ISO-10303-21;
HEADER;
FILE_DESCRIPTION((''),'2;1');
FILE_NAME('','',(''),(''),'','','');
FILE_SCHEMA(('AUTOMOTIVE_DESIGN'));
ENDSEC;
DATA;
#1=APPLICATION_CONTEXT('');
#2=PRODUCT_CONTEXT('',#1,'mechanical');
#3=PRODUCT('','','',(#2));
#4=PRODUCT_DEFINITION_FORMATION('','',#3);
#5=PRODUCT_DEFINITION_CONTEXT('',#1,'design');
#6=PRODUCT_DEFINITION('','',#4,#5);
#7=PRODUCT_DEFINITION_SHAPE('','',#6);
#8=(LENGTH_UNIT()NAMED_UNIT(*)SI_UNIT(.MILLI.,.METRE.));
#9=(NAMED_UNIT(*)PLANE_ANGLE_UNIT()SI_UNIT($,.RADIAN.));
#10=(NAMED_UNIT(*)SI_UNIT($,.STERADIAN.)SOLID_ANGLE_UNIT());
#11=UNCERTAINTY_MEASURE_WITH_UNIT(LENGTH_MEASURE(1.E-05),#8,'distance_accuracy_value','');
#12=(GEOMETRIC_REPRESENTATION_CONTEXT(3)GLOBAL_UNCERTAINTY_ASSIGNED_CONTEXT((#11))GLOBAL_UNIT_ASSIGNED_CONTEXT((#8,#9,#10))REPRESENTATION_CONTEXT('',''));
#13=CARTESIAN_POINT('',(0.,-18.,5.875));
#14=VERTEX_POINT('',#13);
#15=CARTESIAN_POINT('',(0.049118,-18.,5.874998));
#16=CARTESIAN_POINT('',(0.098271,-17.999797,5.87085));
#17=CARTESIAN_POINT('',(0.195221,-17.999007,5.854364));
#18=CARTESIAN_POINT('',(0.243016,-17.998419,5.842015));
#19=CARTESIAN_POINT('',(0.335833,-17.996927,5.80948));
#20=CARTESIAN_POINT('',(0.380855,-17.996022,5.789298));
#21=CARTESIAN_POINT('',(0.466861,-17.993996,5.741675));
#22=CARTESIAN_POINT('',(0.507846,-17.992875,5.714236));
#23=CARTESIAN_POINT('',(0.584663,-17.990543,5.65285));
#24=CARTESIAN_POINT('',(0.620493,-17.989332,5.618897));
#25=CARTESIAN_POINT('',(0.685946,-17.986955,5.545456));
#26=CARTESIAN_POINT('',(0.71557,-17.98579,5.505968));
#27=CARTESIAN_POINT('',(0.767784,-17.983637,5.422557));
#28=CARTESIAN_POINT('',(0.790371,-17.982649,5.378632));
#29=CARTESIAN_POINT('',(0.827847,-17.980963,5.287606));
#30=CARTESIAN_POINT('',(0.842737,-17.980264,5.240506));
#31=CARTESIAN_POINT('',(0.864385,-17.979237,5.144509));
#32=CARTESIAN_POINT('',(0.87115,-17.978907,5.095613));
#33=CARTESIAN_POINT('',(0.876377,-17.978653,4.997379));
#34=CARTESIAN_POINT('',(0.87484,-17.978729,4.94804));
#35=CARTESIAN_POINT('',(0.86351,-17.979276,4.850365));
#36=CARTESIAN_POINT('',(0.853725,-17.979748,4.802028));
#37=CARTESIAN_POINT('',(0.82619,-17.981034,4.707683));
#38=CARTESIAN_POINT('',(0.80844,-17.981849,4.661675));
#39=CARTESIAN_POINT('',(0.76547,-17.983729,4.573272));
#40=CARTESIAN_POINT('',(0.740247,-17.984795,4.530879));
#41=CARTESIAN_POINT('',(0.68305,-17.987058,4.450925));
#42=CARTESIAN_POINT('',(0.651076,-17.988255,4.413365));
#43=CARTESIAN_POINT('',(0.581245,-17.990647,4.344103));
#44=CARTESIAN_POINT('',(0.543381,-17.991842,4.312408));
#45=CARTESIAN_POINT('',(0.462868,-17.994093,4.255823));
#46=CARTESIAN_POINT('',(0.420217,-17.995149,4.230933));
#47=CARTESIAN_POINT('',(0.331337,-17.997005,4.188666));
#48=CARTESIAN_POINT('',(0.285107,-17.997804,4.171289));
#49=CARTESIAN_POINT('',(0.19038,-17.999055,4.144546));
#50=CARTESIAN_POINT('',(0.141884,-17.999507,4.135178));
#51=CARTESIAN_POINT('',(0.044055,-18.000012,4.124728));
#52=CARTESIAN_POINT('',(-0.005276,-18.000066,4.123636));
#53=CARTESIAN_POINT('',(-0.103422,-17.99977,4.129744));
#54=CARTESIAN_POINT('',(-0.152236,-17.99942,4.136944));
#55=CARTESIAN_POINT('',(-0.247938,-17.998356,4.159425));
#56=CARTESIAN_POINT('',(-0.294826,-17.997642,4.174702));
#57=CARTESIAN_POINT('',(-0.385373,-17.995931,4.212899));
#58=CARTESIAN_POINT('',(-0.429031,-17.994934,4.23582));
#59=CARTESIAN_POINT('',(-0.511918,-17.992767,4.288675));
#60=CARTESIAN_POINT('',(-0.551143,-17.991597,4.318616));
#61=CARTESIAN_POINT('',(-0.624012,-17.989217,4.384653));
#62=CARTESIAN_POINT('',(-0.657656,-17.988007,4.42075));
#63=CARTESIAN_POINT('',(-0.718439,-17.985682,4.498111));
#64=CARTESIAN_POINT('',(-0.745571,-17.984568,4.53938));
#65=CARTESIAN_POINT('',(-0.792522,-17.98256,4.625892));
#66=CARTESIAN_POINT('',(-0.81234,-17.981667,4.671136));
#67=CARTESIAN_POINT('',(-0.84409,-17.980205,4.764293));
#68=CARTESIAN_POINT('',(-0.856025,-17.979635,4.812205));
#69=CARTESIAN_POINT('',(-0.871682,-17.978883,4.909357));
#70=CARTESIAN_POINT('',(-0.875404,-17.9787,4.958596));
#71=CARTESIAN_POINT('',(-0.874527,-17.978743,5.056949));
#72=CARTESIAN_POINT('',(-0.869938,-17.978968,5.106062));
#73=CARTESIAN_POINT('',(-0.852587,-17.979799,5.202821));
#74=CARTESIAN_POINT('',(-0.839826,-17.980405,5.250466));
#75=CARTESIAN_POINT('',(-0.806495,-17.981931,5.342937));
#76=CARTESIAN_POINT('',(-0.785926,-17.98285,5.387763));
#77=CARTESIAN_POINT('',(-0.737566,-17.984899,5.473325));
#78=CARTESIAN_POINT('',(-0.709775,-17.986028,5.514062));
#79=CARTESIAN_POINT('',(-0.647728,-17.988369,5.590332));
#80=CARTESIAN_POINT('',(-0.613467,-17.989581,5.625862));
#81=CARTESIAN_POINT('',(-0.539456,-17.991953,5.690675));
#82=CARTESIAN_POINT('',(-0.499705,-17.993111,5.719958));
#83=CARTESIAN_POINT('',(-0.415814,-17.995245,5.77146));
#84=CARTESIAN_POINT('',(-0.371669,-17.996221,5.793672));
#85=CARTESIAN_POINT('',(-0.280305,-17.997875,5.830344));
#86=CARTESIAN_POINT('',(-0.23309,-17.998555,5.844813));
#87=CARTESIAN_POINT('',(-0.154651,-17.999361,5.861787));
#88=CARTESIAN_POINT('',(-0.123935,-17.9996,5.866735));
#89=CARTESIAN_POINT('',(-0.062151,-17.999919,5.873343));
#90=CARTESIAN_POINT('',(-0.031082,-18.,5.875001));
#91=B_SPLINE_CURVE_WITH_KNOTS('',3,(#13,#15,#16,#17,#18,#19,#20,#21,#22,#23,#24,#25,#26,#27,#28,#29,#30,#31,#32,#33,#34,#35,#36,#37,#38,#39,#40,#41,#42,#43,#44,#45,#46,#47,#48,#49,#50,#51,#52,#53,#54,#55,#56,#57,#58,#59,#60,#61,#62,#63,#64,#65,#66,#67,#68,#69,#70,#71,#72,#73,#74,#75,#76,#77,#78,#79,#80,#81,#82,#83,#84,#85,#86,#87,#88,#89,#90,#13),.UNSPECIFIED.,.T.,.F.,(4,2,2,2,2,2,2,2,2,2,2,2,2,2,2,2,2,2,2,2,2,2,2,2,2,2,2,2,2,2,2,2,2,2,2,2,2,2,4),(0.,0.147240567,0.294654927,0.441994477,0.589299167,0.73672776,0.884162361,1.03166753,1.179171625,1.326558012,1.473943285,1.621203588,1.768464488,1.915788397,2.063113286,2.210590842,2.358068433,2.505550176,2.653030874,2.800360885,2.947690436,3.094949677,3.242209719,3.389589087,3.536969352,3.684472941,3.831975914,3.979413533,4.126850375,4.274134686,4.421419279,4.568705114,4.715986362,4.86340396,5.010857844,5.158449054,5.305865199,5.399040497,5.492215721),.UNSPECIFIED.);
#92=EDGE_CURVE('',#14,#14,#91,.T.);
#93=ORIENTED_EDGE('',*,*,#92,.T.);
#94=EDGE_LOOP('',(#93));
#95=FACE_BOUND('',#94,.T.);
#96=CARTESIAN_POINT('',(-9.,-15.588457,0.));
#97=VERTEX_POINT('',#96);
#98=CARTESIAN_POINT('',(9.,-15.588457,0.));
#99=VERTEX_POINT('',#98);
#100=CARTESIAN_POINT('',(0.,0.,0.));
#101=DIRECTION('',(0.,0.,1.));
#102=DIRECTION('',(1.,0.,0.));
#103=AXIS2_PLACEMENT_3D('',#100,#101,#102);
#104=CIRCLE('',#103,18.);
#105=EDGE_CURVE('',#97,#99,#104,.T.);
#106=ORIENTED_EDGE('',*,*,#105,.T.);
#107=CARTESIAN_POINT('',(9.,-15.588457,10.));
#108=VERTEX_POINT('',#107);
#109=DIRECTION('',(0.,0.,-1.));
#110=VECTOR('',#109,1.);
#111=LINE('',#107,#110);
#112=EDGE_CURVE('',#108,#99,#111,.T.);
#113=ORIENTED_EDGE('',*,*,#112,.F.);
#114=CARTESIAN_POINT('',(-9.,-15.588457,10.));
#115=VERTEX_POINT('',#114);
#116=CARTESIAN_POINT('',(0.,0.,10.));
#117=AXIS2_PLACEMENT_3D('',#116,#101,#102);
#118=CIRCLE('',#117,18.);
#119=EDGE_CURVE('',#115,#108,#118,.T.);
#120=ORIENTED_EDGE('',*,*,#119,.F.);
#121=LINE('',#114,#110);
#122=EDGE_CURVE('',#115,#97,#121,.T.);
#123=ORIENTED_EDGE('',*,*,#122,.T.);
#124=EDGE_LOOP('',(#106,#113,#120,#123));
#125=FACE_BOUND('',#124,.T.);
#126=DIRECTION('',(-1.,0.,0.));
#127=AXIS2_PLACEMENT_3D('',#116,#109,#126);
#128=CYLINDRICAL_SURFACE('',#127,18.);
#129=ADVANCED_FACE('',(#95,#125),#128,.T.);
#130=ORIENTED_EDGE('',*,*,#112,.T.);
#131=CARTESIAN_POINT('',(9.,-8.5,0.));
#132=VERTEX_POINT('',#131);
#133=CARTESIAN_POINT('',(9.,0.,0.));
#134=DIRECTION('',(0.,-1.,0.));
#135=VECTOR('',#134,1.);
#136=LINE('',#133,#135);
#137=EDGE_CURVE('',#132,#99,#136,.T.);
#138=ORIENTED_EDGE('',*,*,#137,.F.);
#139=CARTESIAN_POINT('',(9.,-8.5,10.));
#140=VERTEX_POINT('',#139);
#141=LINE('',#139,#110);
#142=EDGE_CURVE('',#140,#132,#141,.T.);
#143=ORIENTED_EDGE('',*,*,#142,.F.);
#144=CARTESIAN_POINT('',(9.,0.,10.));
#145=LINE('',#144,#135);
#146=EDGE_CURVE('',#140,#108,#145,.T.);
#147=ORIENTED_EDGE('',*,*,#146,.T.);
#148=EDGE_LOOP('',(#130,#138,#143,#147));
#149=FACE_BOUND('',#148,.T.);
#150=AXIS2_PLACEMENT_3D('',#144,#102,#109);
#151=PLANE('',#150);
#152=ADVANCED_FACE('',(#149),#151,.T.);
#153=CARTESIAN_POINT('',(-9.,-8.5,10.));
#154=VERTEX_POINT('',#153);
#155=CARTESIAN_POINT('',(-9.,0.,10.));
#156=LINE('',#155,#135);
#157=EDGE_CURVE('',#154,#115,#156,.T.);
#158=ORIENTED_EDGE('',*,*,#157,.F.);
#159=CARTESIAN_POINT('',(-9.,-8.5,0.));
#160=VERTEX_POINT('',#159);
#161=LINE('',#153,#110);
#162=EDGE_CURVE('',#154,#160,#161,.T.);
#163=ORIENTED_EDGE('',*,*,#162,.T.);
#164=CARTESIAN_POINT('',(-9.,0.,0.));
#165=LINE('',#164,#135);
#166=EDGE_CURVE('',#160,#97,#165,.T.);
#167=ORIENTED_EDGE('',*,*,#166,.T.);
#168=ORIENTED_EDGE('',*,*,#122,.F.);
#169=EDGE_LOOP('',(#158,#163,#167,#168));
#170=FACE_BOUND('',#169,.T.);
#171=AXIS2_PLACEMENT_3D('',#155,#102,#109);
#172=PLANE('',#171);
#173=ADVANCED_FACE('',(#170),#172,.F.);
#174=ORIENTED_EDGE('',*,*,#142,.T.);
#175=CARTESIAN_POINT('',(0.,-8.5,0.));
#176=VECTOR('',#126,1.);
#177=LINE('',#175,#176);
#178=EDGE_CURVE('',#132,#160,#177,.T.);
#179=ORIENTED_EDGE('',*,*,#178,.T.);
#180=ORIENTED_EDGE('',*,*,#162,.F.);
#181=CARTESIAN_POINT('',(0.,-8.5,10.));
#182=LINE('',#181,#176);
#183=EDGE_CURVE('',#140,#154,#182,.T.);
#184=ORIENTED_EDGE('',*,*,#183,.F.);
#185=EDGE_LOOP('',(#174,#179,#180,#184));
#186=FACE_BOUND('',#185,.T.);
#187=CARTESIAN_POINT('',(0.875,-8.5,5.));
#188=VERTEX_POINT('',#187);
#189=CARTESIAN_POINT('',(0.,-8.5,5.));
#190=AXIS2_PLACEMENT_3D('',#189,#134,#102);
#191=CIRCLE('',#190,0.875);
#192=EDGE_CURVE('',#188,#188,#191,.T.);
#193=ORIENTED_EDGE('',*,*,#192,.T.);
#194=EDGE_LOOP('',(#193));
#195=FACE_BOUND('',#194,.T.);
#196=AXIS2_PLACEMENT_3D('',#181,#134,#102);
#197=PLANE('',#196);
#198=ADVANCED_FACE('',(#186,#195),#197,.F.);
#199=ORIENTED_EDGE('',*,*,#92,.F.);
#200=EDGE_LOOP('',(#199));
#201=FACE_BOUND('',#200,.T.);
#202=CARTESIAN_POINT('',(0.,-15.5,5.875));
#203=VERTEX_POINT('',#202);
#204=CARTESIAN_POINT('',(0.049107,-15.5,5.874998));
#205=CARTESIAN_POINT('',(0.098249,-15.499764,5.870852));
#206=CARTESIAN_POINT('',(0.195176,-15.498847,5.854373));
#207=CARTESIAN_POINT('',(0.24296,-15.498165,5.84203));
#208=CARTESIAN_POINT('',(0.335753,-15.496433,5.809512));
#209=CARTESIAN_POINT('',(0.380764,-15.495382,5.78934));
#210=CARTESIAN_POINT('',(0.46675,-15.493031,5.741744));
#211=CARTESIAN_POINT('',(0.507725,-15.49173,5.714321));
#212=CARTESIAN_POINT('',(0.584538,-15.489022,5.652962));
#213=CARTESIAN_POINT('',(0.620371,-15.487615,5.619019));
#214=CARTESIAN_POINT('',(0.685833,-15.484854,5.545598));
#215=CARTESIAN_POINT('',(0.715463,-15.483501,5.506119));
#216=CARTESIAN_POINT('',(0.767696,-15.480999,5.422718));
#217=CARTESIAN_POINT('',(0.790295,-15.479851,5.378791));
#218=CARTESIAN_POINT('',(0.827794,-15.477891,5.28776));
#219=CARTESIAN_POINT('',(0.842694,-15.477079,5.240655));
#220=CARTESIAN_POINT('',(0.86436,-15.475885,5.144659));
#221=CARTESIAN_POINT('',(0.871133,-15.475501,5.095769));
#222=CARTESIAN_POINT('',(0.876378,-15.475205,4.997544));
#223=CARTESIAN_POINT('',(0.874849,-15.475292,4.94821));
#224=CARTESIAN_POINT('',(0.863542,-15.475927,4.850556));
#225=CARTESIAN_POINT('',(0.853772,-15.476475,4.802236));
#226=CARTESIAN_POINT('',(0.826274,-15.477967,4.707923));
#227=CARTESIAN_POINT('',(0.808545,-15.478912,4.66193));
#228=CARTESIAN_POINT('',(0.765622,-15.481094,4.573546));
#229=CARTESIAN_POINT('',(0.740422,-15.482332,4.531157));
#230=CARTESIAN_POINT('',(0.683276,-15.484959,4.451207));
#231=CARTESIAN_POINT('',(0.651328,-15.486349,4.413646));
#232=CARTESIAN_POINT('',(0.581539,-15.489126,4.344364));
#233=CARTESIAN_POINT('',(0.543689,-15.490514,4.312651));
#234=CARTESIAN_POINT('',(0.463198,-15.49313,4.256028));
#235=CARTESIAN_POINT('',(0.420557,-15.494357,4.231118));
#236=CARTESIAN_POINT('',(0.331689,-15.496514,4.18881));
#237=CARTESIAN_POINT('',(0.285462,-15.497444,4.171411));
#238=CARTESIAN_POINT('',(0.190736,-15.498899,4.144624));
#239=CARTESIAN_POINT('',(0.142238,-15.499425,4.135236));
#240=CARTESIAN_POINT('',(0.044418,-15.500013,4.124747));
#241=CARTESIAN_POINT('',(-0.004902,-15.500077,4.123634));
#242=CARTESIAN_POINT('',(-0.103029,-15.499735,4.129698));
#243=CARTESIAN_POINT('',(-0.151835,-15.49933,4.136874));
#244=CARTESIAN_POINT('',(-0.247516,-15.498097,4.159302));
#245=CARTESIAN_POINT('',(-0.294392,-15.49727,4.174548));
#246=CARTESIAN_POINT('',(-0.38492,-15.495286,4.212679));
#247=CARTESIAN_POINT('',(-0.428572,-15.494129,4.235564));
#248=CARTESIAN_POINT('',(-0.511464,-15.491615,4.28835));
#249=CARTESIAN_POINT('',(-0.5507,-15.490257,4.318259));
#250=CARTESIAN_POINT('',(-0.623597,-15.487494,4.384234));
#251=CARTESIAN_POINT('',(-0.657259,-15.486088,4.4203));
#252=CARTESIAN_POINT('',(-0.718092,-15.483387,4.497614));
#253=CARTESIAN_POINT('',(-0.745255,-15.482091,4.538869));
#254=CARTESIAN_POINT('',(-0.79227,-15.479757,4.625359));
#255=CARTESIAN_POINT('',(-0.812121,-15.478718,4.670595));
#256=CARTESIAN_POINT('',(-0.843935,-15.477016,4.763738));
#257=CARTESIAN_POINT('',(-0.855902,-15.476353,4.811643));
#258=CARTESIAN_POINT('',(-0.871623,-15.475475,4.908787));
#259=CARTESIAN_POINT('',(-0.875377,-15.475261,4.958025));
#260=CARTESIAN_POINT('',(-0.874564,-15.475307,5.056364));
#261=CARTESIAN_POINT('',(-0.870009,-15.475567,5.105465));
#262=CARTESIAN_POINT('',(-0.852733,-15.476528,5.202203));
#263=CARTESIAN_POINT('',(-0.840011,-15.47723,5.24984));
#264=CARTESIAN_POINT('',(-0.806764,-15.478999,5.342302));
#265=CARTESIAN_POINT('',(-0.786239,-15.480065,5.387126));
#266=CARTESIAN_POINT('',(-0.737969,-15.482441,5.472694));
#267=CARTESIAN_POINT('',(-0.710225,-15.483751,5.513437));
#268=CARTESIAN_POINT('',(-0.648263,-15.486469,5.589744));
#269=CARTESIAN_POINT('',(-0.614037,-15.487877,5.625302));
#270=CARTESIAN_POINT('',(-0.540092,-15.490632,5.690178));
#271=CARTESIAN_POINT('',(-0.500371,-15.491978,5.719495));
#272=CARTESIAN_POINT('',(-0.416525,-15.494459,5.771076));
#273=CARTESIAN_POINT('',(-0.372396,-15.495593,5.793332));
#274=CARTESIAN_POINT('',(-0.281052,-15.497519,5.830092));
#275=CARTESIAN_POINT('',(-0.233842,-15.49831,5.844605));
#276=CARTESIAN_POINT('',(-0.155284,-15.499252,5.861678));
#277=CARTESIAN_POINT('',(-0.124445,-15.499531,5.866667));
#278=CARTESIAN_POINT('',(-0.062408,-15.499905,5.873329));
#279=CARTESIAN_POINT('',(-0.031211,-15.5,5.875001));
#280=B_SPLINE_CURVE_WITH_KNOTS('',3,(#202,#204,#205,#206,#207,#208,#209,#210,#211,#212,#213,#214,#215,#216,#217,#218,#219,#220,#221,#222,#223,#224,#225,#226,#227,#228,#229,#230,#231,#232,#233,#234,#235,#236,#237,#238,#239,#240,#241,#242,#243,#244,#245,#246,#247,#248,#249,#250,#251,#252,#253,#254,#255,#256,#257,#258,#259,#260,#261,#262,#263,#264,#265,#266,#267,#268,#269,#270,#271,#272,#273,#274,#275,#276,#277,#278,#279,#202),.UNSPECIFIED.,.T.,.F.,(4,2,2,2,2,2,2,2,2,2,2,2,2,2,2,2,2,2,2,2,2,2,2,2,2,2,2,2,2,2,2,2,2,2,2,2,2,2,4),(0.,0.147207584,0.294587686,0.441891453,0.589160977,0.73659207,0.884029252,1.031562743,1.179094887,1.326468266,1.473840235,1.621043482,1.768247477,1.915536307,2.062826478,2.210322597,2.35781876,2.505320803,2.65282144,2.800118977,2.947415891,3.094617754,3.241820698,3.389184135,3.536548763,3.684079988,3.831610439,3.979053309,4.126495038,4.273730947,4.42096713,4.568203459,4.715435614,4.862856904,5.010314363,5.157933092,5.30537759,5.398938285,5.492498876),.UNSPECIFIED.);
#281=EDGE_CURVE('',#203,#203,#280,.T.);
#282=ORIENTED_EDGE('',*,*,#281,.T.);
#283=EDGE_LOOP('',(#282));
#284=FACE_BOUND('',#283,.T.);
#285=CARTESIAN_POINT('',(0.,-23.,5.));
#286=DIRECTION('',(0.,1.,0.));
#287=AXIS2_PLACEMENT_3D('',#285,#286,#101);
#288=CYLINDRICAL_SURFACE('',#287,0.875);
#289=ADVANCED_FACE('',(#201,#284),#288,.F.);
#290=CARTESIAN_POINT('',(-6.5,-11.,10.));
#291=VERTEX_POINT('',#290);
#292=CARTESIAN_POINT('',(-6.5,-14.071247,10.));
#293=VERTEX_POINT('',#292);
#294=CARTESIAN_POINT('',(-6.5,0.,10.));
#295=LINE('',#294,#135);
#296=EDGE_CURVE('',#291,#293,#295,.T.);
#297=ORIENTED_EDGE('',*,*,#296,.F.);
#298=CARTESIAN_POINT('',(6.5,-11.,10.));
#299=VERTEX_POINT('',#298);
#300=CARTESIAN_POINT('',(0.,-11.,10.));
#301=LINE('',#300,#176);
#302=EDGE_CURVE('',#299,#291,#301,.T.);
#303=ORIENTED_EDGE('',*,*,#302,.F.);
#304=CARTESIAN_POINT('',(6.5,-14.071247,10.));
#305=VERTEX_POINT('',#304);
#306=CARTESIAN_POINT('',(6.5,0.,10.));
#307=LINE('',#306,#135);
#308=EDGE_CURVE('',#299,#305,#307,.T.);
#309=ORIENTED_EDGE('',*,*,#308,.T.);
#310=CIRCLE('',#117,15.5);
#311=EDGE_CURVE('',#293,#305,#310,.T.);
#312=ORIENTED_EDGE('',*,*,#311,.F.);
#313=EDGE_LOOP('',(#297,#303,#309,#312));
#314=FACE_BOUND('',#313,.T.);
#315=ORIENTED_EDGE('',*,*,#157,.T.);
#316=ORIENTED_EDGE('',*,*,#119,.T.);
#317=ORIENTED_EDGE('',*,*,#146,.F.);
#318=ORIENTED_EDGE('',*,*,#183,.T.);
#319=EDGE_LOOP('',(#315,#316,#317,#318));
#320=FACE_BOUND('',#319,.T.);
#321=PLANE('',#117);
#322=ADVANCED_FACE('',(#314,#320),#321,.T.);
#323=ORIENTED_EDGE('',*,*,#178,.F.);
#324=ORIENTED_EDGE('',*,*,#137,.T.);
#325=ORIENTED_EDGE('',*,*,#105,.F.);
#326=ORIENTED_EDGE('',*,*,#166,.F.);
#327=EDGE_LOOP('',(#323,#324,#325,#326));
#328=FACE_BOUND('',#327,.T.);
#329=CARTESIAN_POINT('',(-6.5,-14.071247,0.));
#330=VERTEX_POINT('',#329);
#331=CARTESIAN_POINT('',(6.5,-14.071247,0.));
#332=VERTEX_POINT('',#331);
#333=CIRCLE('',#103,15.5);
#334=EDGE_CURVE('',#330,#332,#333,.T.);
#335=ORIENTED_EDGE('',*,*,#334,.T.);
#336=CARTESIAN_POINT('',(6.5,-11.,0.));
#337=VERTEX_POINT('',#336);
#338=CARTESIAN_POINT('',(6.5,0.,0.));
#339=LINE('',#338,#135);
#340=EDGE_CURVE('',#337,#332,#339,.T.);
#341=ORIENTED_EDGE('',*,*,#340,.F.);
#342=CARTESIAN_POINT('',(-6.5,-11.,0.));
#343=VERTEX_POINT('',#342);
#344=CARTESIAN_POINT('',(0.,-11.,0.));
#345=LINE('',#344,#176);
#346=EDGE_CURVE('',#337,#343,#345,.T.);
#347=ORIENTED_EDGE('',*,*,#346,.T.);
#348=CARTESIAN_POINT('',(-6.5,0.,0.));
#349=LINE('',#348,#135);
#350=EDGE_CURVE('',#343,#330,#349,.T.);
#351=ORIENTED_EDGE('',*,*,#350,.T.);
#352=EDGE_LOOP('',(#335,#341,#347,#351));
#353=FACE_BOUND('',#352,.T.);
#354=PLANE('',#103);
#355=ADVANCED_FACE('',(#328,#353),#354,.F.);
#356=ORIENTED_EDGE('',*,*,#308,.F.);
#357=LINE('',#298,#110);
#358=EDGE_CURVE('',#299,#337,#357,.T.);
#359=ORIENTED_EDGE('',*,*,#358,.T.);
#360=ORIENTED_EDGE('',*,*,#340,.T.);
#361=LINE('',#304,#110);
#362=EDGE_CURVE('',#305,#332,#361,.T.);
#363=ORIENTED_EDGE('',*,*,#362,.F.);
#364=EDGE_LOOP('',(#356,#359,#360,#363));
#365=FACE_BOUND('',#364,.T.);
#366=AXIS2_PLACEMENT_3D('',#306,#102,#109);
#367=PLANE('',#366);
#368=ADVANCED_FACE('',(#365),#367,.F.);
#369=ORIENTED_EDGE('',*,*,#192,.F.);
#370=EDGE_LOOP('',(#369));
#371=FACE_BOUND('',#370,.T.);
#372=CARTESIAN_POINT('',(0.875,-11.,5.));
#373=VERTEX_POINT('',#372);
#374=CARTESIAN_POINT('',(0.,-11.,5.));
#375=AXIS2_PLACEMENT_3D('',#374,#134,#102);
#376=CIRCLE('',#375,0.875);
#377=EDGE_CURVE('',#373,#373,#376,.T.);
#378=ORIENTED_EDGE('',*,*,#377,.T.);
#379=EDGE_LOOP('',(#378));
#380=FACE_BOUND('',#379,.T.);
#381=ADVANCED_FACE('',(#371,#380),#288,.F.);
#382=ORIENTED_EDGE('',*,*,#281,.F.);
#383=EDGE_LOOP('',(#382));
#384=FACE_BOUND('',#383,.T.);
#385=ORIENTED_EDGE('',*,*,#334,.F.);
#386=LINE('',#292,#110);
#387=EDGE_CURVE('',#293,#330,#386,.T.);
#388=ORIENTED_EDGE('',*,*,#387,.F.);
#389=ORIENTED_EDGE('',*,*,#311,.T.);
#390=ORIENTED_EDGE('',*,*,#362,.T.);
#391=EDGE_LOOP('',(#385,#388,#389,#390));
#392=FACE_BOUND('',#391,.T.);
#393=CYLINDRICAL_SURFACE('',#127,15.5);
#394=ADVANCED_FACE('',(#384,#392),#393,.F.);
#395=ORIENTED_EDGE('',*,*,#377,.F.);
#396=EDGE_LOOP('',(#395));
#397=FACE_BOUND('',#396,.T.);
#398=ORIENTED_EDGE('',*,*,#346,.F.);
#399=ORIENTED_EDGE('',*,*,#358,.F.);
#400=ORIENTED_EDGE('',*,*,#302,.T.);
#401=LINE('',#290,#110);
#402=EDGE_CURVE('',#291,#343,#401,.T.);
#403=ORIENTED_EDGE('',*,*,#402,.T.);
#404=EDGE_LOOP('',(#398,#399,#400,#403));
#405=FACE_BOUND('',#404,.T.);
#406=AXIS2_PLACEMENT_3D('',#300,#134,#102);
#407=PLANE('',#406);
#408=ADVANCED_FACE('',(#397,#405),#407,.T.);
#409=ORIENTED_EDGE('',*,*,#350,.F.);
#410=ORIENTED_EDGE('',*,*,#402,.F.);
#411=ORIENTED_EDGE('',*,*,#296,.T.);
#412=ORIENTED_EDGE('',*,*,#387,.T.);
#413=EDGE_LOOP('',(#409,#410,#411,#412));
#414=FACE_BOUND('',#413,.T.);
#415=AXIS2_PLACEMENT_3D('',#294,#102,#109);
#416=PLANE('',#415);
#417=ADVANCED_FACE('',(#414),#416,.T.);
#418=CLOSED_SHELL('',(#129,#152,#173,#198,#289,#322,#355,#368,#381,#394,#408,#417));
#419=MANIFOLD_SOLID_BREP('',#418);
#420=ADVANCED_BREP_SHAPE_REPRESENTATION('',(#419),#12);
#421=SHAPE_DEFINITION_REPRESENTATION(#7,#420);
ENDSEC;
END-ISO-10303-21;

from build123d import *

# Parameters (mm, degrees)
BOSS_EXTRUDE1_DEPTH = 10
SKETCH2_R           = 0.875
CUT_EXTRUDE3_DEPTH  = 23


with BuildPart() as part:
    # Sketch1 → Boss-Extrude1 (new body)
    with BuildSketch(Plane.XY):
        with BuildLine():
            ThreePointArc((6.5, -14.071247279), (3.327586751, -15.138598562), (0, -15.5))
            ThreePointArc((0, -15.5), (-3.327586751, -15.138598562), (-6.5, -14.071247279))
            ThreePointArc((-6.5, -14.071247279), (-7.783922131, -13.403751574), (-9, -12.619429464))
            Line((-9, -12.619429464), (-9, -15.588457268))
            ThreePointArc((-9, -15.588457268), (0, -18), (9, -15.588457268))
            Line((9, -15.588457268), (9, -12.619429464))
            ThreePointArc((9, -12.619429464), (7.783922131, -13.403751574), (6.5, -14.071247279))
        make_face()
        with BuildLine():
            Line((-6.5, -11), (0, -11))
            Line((0, -11), (0, -8.5))
            Line((0, -8.5), (-9, -8.5))
            Line((-9, -8.5), (-9, -12.619429464))
            ThreePointArc((-9, -12.619429464), (-7.783922131, -13.403751574), (-6.5, -14.071247279))
            Line((-6.5, -14.071247279), (-6.5, -12.619429464))
            Line((-6.5, -12.619429464), (-6.5, -11))
        make_face()
        with BuildLine():
            Line((0, -8.5), (0, -11))
            Line((0, -11), (6.5, -11))
            Line((6.5, -11), (6.5, -12.619429464))
            Line((6.5, -12.619429464), (6.5, -14.071247279))
            ThreePointArc((6.5, -14.071247279), (7.783922131, -13.403751574), (9, -12.619429464))
            Line((9, -12.619429464), (9, -8.5))
            Line((9, -8.5), (0, -8.5))
        make_face()
    extrude(amount=BOSS_EXTRUDE1_DEPTH)

    # Sketch2 → Cut-Extrude3 (cut)
    with BuildSketch(Plane(origin=(0, 0, 0), x_dir=(1, 0, 0), z_dir=(0, 1, 0))):
        with Locations((0, -5)):
            Circle(SKETCH2_R)
    extrude(amount=-CUT_EXTRUDE3_DEPTH, mode=Mode.SUBTRACT)


solid = part.part
